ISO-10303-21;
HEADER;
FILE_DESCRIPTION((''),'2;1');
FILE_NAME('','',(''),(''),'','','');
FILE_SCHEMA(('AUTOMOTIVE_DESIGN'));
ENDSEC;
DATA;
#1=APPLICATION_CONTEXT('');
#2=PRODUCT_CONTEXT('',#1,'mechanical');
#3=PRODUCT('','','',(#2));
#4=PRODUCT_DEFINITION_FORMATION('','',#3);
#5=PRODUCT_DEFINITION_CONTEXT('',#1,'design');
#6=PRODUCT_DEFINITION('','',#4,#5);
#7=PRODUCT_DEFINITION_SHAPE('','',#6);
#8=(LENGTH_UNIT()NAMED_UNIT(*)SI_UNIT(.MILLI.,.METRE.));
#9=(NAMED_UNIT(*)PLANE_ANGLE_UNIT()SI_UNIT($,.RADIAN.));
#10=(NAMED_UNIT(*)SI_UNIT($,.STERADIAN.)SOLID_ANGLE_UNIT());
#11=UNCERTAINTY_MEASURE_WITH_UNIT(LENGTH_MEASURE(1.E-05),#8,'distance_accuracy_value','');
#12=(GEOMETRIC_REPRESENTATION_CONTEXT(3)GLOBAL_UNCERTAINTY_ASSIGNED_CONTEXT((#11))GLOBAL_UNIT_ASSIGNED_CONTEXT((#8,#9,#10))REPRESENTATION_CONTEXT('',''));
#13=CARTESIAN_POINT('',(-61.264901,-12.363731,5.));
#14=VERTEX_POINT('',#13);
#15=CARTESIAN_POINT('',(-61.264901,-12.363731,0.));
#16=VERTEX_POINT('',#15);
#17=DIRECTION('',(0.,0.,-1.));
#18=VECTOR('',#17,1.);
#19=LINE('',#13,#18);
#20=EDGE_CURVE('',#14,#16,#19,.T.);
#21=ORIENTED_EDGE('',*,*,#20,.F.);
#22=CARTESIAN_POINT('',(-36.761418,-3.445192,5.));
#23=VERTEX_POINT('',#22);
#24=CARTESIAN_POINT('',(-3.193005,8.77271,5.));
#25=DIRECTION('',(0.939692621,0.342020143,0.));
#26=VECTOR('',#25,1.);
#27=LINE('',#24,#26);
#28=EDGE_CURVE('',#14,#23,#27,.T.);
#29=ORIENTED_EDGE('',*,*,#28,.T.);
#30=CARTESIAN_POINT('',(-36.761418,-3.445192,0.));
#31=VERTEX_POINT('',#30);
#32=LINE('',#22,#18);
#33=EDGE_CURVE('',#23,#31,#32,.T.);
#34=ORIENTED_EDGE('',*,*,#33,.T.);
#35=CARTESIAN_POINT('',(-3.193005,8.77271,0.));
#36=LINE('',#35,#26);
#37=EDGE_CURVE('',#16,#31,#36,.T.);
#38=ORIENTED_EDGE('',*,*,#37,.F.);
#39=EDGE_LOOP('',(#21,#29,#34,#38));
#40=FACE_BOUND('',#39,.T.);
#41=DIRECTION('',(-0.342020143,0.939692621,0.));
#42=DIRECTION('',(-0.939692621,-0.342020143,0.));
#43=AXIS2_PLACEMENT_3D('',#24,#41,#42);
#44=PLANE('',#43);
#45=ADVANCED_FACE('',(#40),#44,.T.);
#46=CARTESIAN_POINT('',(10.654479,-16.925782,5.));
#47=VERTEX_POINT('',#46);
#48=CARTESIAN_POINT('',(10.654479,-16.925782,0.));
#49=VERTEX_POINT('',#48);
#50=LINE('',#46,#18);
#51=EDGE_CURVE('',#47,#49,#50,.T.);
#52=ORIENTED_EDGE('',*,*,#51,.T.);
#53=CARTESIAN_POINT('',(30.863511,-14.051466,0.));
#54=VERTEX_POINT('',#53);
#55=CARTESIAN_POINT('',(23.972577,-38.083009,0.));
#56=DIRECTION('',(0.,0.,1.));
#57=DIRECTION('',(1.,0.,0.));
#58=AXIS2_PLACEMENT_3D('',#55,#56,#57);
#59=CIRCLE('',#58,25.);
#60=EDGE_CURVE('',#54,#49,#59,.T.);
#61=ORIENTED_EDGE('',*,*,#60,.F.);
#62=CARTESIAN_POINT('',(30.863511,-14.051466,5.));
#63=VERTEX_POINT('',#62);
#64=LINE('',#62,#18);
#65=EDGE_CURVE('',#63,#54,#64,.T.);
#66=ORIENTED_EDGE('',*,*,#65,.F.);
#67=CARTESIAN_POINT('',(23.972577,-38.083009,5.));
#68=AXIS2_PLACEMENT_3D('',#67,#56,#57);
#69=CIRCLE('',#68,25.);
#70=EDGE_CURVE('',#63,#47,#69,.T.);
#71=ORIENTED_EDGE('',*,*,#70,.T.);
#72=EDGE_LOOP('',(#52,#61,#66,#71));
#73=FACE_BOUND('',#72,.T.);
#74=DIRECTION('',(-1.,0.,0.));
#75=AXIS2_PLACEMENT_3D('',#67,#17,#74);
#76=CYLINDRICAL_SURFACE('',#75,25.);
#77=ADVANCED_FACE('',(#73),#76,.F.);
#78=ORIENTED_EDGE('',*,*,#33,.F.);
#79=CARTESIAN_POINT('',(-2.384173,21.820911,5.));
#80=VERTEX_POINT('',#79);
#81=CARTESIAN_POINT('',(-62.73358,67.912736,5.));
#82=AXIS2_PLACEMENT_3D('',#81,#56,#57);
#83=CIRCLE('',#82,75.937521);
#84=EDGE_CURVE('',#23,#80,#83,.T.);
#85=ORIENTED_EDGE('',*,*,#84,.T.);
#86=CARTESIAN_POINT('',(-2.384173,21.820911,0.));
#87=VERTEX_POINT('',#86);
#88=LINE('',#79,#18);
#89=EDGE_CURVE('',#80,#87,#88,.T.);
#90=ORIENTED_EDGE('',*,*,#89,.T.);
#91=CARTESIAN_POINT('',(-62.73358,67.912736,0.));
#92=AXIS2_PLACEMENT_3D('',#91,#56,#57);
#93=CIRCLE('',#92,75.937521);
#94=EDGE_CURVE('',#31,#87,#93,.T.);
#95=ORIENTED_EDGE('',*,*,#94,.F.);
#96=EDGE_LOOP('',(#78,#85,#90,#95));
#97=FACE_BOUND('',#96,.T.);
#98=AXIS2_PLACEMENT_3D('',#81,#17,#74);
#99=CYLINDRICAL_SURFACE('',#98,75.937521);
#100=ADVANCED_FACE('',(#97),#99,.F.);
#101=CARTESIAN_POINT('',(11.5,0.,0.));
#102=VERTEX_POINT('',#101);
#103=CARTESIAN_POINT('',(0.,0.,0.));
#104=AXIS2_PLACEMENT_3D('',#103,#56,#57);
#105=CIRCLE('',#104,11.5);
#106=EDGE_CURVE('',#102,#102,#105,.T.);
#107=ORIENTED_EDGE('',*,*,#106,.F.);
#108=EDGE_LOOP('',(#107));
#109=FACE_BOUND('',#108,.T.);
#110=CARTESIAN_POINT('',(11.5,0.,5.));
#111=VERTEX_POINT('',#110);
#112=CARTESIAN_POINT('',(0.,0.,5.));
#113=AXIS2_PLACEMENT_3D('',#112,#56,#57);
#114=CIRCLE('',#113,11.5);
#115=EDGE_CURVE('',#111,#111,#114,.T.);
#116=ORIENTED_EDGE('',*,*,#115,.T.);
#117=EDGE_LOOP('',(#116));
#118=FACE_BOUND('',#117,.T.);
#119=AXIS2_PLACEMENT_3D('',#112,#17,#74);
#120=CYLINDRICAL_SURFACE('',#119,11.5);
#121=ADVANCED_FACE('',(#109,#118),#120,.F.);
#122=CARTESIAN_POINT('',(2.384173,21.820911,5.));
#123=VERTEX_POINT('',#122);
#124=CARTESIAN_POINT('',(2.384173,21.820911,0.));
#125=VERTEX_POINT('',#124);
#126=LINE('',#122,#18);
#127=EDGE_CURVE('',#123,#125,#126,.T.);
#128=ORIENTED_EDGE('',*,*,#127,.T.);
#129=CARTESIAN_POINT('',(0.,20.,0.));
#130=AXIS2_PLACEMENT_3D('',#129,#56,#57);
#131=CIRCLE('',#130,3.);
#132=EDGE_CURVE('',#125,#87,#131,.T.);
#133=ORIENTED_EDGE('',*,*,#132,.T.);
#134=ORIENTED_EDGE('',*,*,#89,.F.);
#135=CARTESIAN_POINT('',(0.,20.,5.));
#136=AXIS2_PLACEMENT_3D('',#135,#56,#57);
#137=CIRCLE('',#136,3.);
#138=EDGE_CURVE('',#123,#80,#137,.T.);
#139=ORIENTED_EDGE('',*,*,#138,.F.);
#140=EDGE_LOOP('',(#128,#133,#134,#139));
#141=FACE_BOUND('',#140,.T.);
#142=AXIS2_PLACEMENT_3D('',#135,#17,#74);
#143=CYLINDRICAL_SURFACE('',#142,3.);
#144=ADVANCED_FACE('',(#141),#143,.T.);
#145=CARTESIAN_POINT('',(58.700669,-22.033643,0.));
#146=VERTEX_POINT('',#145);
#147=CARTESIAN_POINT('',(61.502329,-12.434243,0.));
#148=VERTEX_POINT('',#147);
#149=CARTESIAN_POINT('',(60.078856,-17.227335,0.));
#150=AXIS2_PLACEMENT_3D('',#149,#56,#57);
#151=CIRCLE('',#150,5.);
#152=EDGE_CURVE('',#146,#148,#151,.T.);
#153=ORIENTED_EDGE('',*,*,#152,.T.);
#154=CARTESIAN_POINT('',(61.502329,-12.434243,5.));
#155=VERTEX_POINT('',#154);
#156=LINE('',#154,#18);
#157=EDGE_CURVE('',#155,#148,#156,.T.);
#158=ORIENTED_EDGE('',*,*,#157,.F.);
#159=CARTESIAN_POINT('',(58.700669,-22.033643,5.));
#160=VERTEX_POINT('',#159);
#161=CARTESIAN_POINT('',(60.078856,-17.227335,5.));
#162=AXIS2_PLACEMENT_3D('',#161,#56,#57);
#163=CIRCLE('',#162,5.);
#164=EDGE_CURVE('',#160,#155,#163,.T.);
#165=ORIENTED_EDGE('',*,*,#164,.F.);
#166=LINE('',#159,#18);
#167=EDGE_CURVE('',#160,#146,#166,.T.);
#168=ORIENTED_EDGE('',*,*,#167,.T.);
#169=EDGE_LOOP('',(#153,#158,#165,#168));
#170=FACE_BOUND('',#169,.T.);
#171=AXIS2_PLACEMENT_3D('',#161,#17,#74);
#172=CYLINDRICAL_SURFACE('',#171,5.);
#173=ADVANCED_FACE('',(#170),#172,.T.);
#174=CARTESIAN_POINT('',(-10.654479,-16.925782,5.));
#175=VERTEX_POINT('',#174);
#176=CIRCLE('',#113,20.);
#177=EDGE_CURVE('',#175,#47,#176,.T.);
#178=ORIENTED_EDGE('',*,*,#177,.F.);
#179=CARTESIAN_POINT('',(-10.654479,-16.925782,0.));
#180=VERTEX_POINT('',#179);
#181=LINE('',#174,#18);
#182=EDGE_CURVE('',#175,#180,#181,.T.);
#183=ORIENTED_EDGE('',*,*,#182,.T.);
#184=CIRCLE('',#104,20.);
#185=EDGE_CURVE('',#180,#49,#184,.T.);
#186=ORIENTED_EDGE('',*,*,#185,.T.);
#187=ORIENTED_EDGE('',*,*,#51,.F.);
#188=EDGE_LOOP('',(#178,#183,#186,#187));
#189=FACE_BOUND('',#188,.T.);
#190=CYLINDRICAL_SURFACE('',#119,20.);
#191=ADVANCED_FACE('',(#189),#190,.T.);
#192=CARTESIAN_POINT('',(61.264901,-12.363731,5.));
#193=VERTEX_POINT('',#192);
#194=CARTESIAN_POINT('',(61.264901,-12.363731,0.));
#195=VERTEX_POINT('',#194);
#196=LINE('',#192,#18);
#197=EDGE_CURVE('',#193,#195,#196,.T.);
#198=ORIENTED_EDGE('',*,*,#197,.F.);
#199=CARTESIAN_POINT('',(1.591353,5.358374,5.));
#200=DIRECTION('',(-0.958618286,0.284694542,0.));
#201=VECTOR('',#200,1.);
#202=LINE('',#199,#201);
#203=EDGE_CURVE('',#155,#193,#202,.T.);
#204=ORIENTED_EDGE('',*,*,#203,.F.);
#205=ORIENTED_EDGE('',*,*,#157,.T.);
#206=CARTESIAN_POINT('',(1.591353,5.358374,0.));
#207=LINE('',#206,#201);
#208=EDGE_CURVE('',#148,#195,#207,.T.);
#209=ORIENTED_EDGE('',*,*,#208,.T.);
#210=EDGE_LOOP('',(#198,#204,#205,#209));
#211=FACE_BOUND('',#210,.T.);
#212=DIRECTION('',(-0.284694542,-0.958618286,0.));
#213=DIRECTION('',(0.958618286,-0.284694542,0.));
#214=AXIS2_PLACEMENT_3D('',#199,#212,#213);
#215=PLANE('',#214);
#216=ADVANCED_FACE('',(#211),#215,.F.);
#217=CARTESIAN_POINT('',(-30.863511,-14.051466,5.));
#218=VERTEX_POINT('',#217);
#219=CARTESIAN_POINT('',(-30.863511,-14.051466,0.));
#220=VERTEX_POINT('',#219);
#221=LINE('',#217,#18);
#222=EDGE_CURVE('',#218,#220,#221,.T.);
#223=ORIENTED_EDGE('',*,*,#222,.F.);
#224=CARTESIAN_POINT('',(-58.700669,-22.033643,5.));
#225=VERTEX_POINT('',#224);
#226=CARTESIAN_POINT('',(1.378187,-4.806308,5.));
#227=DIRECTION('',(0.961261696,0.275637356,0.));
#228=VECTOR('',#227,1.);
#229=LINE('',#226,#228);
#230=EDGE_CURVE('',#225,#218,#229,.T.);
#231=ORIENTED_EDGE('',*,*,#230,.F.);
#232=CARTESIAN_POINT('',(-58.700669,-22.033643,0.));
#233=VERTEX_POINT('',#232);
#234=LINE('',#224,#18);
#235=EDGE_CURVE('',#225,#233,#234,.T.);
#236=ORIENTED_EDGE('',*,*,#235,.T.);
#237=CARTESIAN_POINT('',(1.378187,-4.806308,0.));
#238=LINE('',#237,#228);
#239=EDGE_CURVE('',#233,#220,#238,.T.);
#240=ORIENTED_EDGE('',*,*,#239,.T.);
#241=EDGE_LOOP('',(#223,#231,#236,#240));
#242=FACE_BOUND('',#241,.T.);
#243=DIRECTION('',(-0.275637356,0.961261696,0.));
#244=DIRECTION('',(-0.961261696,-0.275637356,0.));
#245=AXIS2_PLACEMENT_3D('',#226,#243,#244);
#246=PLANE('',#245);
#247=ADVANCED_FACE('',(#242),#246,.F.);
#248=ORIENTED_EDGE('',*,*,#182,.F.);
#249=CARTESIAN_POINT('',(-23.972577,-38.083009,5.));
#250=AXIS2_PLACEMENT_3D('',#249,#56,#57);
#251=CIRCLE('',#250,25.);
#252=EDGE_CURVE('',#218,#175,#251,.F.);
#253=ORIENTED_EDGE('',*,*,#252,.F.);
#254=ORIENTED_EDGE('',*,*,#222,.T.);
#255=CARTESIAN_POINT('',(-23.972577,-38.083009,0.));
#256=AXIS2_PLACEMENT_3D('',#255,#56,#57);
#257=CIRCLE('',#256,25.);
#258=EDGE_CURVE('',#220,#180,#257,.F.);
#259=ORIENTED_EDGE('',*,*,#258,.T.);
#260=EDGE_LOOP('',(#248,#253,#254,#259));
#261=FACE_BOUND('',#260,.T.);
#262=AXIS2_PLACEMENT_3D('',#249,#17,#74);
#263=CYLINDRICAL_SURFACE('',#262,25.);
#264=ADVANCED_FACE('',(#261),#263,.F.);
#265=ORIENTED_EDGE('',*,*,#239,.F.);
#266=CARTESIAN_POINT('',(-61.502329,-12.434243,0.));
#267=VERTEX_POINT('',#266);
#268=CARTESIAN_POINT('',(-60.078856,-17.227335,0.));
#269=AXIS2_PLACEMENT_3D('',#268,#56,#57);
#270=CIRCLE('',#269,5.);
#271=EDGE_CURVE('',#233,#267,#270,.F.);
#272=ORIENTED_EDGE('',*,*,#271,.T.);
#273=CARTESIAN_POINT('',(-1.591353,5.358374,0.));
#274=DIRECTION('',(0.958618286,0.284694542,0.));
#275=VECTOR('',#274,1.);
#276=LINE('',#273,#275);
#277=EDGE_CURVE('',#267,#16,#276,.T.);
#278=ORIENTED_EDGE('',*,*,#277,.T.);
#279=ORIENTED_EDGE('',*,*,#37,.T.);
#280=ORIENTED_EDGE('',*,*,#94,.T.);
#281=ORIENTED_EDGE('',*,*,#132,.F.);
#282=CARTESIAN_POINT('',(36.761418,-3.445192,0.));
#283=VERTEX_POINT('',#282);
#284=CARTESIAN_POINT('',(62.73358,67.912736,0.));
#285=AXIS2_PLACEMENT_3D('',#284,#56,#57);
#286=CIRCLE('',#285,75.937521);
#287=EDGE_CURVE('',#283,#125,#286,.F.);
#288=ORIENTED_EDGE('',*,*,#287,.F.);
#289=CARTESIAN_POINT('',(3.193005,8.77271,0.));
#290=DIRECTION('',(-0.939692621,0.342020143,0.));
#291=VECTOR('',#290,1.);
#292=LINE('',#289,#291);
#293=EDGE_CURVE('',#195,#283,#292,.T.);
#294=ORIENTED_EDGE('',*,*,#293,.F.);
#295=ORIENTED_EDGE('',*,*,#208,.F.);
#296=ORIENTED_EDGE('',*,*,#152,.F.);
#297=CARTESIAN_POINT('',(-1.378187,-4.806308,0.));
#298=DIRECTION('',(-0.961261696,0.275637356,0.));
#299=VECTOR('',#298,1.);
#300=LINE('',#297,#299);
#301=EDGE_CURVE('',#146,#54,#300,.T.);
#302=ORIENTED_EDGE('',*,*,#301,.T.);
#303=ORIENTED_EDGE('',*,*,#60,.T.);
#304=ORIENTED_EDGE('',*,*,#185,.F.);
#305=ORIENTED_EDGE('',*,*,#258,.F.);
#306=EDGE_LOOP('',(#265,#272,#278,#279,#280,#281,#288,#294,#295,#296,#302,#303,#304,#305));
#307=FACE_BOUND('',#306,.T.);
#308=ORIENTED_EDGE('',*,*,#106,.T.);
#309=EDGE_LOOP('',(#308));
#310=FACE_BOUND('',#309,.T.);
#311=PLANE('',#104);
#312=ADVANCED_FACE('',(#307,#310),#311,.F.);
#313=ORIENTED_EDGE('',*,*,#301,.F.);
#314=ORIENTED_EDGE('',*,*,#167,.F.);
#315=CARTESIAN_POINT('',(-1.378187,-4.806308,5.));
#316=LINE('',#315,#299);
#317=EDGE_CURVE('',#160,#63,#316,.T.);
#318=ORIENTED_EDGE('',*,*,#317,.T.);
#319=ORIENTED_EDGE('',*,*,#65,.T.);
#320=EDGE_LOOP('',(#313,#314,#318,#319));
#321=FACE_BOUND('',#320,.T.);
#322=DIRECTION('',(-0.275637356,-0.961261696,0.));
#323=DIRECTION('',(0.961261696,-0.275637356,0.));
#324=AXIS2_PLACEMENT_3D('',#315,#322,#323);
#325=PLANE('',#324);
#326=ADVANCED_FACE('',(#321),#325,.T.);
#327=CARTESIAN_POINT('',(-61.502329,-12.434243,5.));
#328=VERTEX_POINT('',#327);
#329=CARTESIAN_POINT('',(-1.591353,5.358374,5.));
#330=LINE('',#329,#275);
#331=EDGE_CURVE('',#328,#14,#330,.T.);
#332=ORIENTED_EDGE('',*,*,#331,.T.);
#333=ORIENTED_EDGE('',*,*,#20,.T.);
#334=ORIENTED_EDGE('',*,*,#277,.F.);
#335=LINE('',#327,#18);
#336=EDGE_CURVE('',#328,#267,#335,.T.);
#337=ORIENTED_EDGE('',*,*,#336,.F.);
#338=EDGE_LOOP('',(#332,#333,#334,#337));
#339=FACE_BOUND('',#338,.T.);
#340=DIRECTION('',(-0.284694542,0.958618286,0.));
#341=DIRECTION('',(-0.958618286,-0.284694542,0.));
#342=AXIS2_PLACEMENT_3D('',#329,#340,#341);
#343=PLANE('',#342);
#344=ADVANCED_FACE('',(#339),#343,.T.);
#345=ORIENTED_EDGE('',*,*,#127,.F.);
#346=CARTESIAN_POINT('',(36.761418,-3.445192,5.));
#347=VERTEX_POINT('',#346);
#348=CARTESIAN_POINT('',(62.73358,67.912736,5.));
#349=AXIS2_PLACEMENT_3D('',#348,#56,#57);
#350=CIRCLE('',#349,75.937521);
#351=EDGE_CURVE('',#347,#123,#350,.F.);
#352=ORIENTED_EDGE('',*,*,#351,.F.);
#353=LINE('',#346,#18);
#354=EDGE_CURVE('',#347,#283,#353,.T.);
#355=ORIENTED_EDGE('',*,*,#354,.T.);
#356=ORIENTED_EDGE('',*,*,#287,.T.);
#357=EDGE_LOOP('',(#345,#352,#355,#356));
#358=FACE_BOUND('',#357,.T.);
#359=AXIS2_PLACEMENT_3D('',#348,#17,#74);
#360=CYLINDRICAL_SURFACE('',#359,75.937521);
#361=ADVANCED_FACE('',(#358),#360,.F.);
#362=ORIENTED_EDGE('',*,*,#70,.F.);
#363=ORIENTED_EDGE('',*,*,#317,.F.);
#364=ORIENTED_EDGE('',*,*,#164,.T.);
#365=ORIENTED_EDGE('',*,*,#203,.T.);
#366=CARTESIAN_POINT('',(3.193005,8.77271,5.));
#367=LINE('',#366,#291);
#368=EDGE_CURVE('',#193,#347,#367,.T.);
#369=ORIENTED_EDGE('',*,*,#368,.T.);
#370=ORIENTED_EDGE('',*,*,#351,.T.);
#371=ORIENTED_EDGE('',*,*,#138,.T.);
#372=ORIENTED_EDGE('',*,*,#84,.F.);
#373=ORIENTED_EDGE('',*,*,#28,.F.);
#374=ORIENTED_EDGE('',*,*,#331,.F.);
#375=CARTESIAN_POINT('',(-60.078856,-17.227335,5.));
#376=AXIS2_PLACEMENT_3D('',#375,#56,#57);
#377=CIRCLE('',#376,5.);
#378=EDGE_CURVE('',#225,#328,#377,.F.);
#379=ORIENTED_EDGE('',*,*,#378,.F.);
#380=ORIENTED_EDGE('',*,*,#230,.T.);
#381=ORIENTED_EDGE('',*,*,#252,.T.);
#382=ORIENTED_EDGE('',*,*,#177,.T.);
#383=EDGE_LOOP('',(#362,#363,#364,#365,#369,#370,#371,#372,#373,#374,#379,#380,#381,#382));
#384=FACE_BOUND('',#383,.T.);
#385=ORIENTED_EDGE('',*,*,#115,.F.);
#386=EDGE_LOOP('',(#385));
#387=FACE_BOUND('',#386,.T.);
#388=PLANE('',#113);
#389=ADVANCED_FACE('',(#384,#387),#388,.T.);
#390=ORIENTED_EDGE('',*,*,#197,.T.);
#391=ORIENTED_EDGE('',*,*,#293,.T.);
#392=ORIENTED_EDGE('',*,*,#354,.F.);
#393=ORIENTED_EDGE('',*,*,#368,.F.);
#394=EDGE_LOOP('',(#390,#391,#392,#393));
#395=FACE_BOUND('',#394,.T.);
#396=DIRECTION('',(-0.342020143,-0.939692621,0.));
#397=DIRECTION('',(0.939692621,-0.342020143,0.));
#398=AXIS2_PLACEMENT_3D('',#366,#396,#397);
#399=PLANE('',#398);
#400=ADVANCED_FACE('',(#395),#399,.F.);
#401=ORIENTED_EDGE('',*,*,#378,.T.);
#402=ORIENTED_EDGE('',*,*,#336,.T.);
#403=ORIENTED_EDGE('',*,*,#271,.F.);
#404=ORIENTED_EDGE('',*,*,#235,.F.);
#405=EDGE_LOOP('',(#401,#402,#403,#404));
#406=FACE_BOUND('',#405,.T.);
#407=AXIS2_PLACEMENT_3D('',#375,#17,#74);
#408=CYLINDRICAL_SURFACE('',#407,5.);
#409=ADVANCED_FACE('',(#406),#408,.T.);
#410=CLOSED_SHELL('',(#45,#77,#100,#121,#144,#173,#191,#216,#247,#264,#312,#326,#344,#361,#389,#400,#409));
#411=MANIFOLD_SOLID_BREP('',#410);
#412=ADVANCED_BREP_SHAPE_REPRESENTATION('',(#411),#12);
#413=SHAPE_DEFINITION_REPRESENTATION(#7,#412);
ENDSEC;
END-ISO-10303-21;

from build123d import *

# Parameters (mm, degrees)
SKETCH1_R           = 11.5
BOSS_EXTRUDE2_DEPTH = 5


with BuildPart() as part:
    # Sketch1 → Boss-Extrude2 (new body)
    with BuildSketch(Plane.XY):
        with BuildLine():
            ThreePointArc((2.384173399, 21.820911092), (0, 23), (-2.384173399, 21.820911092))
            ThreePointArc((-2.384173399, 21.820911092), (-17.761952084, 6.72401264), (-36.761417585, -3.445192388))
            Line((-36.761417585, -3.445192388), (-61.264901468, -12.363731157))
            Line((-61.264901468, -12.363731157), (-61.502328705, -12.434243309))
            ThreePointArc((-61.502328705, -12.434243309), (-64.87860936, -18.628180071), (-58.700669217, -22.033643218))
            Line((-58.700669217, -22.033643218), (-30.863510665, -14.051466451))
            ThreePointArc((-30.863510665, -14.051466451), (-20.452273896, -13.332100428), (-10.654478564, -16.925781711))
            ThreePointArc((-10.654478564, -16.925781711), (0, -20), (10.654478564, -16.925781711))
            ThreePointArc((10.654478564, -16.925781711), (20.452273896, -13.332100428), (30.863510665, -14.051466451))
            Line((30.863510665, -14.051466451), (58.700669217, -22.033643218))
            ThreePointArc((58.700669217, -22.033643218), (64.87860936, -18.628180071), (61.502328705, -12.434243309))
            Line((61.502328705, -12.434243309), (61.264901468, -12.363731157))
            Line((61.264901468, -12.363731157), (36.761417585, -3.445192388))
            ThreePointArc((36.761417585, -3.445192388), (17.761952084, 6.72401264), (2.384173399, 21.820911092))
        make_face()
        Circle(SKETCH1_R, mode=Mode.SUBTRACT)
    extrude(amount=BOSS_EXTRUDE2_DEPTH)


solid = part.part
